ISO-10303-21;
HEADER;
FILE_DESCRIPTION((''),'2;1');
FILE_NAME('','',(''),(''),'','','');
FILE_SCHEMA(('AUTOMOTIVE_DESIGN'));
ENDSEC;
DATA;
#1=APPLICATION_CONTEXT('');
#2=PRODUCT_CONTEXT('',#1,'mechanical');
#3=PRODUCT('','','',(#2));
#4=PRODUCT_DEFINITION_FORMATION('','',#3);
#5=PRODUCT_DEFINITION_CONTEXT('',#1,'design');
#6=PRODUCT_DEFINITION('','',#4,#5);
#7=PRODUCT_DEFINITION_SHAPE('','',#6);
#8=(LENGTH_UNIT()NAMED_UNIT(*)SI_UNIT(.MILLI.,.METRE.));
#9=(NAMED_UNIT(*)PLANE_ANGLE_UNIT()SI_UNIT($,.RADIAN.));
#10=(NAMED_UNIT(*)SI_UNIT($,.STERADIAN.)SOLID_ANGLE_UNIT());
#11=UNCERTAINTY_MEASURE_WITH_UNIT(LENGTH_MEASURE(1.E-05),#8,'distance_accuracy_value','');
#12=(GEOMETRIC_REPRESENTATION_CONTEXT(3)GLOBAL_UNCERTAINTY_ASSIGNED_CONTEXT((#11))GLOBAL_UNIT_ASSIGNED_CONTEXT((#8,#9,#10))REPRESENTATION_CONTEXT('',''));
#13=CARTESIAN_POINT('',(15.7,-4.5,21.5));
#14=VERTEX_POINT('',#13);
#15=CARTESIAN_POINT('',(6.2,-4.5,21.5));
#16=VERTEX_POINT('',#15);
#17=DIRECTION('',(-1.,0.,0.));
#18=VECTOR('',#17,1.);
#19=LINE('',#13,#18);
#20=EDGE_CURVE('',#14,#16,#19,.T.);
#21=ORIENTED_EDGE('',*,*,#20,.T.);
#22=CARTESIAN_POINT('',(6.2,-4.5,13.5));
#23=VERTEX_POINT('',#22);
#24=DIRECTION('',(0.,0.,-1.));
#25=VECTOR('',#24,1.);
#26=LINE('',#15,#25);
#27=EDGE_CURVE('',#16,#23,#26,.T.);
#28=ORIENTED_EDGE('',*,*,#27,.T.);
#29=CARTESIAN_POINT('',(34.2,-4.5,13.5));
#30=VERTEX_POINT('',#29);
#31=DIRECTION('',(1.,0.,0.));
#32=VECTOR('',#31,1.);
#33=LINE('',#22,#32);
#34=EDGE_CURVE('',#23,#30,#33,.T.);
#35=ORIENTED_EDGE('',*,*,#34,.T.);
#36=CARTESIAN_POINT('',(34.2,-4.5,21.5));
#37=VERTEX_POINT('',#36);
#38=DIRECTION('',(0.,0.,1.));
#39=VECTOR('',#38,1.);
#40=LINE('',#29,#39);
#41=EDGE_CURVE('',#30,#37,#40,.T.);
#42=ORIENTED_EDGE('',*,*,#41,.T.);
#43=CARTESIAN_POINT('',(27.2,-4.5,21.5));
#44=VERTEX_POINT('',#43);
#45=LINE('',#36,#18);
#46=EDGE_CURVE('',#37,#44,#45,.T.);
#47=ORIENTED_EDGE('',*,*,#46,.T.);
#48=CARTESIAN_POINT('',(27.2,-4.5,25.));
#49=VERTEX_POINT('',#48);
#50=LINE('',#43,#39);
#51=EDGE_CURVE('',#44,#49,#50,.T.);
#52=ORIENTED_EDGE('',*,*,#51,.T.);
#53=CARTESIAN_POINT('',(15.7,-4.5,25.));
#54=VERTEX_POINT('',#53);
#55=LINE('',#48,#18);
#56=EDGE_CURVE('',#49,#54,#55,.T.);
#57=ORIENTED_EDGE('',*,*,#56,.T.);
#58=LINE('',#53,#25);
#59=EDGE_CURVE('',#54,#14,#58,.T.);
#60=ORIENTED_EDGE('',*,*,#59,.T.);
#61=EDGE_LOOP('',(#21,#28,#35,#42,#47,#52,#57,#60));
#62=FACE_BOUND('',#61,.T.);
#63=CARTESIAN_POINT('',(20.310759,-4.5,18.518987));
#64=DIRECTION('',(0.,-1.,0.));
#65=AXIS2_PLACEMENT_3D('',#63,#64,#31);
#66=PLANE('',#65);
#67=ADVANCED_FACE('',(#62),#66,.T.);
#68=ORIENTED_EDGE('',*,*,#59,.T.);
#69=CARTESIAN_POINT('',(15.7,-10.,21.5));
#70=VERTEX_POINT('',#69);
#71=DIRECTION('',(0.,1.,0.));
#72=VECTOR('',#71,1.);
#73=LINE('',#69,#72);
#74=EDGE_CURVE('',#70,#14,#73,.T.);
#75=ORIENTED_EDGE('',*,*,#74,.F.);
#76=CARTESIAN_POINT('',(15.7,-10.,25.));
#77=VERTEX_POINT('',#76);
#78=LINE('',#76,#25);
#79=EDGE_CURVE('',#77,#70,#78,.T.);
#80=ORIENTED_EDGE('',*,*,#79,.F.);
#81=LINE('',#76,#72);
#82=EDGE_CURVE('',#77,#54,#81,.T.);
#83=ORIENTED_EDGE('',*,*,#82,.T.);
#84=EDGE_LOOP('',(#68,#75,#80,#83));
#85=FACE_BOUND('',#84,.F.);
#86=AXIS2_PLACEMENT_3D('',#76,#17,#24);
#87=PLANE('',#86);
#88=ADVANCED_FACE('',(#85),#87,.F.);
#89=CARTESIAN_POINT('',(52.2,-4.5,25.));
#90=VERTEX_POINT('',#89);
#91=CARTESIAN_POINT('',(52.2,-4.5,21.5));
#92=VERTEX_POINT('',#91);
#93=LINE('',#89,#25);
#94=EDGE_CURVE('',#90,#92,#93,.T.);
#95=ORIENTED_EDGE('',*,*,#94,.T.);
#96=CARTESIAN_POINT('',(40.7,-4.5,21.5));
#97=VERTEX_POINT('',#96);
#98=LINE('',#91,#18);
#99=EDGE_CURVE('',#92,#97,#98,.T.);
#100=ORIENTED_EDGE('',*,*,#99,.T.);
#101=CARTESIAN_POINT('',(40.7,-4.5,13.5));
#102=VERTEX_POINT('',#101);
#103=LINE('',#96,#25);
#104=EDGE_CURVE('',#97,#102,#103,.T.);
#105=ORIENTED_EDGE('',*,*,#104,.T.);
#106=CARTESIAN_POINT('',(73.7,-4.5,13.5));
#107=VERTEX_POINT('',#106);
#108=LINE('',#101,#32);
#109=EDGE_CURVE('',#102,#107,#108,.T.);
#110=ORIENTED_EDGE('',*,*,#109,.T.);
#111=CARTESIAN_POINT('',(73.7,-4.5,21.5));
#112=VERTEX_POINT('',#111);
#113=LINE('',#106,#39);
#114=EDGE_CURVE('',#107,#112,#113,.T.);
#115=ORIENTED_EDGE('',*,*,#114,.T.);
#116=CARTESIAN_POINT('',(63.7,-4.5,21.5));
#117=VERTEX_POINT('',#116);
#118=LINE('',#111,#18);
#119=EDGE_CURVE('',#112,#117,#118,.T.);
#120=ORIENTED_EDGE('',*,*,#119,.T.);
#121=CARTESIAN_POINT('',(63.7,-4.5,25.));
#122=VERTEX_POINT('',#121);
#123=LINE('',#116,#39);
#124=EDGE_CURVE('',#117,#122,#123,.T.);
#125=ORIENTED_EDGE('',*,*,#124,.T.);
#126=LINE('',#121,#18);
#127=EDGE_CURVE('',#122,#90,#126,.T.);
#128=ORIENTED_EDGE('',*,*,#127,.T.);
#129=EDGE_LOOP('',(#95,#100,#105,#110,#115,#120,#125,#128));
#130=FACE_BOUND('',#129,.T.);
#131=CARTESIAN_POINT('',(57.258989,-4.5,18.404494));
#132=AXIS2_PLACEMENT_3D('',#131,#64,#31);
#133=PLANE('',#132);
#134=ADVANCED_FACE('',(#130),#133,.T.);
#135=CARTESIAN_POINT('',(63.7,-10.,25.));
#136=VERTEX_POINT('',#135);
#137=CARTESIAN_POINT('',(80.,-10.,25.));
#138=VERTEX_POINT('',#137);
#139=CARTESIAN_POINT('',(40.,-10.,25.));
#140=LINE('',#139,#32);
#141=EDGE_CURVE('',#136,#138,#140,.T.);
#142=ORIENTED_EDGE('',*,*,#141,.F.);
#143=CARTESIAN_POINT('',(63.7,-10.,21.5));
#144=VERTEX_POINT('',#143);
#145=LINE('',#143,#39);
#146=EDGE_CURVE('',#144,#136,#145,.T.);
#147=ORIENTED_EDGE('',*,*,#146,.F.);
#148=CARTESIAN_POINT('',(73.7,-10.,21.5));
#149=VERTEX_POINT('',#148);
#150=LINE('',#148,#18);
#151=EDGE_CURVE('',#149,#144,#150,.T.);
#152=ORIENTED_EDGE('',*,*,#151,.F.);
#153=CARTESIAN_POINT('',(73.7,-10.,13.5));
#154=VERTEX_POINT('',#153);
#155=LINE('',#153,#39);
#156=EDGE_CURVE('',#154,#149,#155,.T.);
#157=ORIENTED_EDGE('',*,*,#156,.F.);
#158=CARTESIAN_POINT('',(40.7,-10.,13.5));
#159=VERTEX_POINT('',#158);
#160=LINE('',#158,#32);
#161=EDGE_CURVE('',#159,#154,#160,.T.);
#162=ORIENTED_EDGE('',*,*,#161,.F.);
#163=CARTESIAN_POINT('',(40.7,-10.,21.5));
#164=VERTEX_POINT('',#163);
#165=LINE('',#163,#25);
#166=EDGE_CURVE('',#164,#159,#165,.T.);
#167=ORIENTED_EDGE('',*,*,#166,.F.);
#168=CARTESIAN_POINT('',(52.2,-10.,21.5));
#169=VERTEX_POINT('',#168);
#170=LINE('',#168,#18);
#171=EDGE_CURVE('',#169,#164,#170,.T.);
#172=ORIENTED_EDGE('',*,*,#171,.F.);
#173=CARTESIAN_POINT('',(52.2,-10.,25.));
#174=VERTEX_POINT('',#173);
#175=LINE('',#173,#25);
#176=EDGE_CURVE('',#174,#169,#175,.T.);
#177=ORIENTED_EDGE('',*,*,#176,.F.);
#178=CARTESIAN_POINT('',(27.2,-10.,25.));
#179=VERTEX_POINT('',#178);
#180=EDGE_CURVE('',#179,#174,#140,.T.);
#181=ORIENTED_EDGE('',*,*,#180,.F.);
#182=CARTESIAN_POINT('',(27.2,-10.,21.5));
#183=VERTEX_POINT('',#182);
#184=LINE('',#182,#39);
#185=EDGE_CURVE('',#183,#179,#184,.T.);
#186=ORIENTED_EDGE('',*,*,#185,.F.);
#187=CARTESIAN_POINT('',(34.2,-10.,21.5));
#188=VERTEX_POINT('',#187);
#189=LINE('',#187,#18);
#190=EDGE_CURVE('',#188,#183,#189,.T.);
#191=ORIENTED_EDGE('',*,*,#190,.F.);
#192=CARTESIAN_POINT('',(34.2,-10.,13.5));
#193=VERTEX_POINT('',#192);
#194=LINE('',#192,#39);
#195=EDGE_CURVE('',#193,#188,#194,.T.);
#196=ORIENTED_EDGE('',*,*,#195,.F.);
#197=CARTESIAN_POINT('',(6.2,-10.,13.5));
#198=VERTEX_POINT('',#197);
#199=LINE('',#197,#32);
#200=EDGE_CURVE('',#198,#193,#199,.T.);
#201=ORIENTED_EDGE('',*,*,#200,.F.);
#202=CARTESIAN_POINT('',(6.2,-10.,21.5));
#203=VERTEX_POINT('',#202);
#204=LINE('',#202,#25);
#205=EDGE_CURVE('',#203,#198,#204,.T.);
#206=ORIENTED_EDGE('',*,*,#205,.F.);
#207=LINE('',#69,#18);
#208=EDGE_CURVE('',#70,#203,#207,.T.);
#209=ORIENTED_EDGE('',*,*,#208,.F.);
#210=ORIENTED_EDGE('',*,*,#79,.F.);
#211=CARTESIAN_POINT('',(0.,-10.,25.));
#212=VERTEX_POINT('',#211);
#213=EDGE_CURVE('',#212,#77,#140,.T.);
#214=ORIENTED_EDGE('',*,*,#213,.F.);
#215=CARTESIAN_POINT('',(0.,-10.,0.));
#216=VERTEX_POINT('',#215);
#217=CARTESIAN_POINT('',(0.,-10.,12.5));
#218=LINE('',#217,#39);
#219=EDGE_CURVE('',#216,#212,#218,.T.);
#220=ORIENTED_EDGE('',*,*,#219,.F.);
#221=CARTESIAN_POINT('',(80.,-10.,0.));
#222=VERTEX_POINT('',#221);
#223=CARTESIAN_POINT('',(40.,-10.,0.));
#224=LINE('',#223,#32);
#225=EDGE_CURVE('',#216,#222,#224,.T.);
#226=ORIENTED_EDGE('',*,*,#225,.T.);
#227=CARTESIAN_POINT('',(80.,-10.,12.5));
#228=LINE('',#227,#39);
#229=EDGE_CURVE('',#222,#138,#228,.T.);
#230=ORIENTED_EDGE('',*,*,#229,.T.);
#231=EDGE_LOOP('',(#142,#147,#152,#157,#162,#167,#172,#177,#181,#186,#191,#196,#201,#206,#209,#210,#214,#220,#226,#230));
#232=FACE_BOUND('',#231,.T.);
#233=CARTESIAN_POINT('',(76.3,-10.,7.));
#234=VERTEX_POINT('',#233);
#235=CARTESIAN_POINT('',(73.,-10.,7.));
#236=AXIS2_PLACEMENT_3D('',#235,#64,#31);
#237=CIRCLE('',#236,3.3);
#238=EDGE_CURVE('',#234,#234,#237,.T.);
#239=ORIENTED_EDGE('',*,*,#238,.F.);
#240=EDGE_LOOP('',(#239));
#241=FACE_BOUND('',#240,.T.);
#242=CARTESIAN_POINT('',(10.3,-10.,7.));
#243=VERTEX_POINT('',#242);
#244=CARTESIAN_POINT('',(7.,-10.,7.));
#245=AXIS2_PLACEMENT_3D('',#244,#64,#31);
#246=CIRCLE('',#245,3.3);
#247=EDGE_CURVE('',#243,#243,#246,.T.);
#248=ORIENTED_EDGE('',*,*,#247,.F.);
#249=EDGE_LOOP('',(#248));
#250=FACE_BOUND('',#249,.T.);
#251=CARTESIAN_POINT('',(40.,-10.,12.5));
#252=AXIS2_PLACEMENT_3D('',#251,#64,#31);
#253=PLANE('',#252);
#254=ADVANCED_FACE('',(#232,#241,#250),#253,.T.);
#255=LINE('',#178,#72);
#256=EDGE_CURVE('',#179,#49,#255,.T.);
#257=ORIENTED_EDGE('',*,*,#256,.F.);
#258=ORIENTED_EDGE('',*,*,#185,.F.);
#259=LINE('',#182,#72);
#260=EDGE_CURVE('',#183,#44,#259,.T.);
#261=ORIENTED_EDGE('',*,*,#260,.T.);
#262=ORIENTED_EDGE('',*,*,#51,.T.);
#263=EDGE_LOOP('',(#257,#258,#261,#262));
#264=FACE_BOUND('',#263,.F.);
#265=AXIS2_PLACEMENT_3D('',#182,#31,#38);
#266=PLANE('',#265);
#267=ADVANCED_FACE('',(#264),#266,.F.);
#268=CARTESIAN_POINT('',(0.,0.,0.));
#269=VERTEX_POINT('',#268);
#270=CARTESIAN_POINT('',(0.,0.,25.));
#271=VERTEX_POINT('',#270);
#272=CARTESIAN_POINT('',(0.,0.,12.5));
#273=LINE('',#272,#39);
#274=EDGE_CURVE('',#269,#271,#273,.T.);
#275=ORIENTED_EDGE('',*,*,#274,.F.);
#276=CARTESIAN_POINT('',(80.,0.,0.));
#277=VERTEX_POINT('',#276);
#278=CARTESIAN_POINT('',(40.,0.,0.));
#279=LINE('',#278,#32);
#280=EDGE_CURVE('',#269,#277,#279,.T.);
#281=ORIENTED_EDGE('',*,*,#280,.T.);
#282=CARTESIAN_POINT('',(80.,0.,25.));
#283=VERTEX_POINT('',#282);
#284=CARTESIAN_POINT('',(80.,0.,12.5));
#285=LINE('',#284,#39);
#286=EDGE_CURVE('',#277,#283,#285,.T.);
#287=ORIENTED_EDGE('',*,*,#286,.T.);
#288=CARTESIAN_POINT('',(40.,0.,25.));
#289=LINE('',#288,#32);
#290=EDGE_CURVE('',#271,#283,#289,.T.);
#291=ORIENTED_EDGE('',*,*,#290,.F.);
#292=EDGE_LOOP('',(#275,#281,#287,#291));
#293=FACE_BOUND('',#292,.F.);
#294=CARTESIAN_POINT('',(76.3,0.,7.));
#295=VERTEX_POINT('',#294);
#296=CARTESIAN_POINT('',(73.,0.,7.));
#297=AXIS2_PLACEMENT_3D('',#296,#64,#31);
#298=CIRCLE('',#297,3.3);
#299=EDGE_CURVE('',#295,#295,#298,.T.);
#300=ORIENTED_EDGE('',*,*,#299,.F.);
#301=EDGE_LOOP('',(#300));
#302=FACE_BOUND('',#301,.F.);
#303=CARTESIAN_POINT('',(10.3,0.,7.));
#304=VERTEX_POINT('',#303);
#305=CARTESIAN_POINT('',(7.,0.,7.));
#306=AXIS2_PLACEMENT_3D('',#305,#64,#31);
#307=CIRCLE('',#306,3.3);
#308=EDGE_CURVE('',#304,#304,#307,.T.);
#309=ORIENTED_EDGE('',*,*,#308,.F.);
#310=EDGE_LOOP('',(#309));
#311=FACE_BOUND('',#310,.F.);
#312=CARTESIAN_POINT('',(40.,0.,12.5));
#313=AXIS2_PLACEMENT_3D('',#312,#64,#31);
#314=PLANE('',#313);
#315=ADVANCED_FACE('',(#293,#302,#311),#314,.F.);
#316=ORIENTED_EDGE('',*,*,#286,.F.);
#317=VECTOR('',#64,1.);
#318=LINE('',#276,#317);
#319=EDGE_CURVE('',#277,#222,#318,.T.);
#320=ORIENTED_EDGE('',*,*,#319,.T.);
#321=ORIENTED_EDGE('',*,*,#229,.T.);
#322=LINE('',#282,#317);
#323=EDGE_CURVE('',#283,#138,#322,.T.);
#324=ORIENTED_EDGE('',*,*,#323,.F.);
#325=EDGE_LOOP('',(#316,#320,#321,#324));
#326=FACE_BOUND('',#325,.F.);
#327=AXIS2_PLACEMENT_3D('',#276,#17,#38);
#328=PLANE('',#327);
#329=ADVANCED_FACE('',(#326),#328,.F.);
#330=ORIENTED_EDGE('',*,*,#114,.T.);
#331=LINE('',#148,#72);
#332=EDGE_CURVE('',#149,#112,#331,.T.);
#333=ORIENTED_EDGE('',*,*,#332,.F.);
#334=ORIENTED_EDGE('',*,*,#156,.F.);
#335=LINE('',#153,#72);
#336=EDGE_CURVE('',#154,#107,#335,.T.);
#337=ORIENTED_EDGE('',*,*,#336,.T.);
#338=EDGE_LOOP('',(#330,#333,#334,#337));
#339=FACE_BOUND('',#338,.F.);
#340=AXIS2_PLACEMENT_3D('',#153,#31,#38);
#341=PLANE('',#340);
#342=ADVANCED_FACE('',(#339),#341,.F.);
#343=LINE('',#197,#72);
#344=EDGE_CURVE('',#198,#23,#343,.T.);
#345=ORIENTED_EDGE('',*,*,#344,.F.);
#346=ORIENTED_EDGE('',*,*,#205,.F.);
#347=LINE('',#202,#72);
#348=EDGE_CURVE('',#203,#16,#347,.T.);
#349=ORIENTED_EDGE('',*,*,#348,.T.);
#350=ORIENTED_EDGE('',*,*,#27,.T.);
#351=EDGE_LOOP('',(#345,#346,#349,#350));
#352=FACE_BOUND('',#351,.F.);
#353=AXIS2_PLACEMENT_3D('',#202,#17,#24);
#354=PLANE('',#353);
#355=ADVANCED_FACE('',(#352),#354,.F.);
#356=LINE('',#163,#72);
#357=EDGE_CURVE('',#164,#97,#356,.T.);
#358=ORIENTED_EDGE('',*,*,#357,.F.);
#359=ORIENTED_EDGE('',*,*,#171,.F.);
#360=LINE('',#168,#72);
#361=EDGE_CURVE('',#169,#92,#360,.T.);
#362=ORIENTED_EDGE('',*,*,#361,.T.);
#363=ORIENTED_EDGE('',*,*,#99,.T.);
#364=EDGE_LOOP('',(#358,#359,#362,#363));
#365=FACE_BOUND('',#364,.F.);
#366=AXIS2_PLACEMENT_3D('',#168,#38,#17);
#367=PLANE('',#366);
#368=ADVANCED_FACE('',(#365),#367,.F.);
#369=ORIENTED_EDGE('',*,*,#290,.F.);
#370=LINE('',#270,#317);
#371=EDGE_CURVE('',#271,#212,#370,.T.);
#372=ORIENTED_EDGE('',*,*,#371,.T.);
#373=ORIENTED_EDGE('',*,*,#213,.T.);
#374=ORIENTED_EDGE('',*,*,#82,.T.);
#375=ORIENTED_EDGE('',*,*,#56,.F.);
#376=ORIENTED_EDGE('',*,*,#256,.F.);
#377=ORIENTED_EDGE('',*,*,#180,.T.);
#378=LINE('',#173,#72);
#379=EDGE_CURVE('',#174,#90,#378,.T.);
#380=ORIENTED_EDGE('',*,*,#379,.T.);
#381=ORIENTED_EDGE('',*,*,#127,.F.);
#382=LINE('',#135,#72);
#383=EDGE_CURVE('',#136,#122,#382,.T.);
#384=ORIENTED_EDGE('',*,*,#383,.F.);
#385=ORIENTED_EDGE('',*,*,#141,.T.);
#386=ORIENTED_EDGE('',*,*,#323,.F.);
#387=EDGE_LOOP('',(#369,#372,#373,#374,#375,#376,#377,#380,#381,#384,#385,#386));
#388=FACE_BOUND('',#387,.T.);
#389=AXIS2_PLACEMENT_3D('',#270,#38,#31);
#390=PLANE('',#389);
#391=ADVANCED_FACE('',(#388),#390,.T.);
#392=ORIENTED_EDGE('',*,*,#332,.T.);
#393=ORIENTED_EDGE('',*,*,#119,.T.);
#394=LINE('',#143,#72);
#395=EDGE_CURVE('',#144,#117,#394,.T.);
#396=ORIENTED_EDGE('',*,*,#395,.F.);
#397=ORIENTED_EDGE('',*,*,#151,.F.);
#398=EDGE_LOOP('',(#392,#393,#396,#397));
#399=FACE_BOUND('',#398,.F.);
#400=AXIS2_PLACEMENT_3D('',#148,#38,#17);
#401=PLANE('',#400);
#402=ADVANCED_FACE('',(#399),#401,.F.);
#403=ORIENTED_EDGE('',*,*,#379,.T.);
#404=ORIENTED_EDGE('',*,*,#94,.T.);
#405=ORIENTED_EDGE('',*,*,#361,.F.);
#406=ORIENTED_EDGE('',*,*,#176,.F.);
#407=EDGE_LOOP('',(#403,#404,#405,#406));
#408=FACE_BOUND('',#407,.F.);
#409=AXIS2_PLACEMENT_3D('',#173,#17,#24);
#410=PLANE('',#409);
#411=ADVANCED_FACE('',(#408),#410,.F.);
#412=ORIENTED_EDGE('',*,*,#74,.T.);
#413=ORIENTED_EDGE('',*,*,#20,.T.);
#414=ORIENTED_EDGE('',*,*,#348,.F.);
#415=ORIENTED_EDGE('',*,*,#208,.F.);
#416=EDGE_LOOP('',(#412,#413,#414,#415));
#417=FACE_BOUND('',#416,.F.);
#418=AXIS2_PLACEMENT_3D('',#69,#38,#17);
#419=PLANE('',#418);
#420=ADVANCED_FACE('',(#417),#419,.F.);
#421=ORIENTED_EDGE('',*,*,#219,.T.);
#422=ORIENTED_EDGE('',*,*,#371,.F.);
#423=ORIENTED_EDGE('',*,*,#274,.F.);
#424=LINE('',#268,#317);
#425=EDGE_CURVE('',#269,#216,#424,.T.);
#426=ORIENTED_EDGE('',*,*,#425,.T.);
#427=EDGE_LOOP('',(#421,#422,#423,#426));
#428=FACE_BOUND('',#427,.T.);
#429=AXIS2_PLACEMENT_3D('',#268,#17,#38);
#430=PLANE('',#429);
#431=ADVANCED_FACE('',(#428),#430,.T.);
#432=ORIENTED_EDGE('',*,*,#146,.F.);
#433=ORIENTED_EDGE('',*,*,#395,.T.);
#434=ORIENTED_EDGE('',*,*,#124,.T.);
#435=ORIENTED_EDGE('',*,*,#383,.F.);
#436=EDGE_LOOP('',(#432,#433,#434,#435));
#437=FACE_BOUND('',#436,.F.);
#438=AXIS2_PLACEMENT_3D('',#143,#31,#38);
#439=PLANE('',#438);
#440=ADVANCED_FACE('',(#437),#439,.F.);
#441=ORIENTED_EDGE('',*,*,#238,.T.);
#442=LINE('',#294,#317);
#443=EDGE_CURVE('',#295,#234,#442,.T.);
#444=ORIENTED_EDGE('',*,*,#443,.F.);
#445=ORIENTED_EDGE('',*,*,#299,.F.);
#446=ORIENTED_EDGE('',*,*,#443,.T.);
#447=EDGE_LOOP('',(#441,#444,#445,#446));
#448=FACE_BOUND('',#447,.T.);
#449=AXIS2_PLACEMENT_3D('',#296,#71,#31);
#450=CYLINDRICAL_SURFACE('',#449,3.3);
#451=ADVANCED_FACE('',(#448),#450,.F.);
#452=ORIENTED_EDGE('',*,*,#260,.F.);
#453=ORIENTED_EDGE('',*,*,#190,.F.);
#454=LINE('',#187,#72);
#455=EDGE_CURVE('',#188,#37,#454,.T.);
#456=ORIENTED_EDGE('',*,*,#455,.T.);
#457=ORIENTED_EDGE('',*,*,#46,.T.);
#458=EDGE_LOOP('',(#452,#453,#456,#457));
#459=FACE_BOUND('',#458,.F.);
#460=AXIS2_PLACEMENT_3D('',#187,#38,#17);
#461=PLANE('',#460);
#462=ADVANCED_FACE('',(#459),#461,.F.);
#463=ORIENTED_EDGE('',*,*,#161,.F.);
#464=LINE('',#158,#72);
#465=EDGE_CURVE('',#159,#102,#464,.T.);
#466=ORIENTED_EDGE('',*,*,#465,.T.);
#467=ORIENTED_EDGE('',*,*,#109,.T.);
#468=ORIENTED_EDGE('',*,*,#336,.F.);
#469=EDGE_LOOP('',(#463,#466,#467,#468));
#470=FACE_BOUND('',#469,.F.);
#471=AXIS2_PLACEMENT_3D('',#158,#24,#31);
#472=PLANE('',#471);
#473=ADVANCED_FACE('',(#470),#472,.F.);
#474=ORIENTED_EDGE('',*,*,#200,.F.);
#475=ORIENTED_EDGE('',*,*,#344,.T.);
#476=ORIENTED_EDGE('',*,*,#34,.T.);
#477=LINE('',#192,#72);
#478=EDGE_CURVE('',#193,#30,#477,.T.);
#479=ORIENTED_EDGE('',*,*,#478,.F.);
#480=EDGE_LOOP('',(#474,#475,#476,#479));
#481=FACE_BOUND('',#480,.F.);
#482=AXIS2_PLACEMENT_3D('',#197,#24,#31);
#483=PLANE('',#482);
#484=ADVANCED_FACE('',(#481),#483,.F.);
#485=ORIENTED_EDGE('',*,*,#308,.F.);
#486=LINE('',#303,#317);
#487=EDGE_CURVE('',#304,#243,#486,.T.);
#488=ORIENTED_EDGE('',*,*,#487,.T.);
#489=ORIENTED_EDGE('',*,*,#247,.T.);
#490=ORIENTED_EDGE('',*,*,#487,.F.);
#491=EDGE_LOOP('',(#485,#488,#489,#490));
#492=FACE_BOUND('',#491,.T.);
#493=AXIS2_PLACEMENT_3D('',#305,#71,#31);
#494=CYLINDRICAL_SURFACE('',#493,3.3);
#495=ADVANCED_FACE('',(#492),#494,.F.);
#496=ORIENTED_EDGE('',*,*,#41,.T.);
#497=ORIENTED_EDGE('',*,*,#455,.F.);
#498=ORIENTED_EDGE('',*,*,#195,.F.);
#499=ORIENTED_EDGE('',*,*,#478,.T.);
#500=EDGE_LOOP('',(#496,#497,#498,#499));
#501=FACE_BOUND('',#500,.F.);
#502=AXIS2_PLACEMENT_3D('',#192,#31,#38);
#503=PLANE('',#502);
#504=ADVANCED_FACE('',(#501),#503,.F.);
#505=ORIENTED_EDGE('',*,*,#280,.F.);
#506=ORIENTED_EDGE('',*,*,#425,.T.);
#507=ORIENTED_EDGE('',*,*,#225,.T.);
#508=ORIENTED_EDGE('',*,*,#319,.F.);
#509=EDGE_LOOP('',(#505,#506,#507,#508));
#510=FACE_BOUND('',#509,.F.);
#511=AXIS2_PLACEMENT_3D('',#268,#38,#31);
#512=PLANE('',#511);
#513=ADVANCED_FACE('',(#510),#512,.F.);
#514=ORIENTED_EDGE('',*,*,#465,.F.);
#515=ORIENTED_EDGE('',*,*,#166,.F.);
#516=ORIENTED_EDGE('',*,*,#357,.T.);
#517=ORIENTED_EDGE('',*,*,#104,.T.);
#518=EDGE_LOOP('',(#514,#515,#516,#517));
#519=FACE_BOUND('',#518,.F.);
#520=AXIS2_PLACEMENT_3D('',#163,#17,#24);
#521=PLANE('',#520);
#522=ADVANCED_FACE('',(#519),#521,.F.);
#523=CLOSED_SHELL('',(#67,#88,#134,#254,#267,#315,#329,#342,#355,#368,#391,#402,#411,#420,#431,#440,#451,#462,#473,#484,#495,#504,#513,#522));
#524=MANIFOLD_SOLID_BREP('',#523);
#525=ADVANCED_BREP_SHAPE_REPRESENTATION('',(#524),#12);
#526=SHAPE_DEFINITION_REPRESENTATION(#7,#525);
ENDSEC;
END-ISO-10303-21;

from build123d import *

# Parameters (mm, degrees)
F0_W     = 80
F0_H     = 25
F0_R     = 3.3
F1_DEPTH = 10
F3_DEPTH = 5.5


with BuildPart() as f1:
    # F0 (on Front) → F1 (new body)
    with BuildSketch(Plane.XZ):
        with Locations((40, 12.5)):
            Rectangle(F0_W, F0_H)
        with Locations((7, 7)):
            Circle(F0_R, mode=Mode.SUBTRACT)
        with Locations((73, 7)):
            Circle(F0_R, mode=Mode.SUBTRACT)
    extrude(amount=F1_DEPTH)

    # F2 (on face) → F3 (cut)
    with BuildSketch(Plane.XZ.offset(10)):
        Polygon((15.7, 21.5), (6.2, 21.5), (6.2, 13.5), (34.2, 13.5), (34.2, 21.5), (27.2, 21.5), (27.2, 25), (15.7, 25), align=None)
        Polygon((63.7, 25), (52.2, 25), (52.2, 21.5), (40.7, 21.5), (40.7, 13.5), (73.7, 13.5), (73.7, 21.5), (63.7, 21.5), align=None)
    extrude(amount=-F3_DEPTH, mode=Mode.SUBTRACT)


solid = f1.part
